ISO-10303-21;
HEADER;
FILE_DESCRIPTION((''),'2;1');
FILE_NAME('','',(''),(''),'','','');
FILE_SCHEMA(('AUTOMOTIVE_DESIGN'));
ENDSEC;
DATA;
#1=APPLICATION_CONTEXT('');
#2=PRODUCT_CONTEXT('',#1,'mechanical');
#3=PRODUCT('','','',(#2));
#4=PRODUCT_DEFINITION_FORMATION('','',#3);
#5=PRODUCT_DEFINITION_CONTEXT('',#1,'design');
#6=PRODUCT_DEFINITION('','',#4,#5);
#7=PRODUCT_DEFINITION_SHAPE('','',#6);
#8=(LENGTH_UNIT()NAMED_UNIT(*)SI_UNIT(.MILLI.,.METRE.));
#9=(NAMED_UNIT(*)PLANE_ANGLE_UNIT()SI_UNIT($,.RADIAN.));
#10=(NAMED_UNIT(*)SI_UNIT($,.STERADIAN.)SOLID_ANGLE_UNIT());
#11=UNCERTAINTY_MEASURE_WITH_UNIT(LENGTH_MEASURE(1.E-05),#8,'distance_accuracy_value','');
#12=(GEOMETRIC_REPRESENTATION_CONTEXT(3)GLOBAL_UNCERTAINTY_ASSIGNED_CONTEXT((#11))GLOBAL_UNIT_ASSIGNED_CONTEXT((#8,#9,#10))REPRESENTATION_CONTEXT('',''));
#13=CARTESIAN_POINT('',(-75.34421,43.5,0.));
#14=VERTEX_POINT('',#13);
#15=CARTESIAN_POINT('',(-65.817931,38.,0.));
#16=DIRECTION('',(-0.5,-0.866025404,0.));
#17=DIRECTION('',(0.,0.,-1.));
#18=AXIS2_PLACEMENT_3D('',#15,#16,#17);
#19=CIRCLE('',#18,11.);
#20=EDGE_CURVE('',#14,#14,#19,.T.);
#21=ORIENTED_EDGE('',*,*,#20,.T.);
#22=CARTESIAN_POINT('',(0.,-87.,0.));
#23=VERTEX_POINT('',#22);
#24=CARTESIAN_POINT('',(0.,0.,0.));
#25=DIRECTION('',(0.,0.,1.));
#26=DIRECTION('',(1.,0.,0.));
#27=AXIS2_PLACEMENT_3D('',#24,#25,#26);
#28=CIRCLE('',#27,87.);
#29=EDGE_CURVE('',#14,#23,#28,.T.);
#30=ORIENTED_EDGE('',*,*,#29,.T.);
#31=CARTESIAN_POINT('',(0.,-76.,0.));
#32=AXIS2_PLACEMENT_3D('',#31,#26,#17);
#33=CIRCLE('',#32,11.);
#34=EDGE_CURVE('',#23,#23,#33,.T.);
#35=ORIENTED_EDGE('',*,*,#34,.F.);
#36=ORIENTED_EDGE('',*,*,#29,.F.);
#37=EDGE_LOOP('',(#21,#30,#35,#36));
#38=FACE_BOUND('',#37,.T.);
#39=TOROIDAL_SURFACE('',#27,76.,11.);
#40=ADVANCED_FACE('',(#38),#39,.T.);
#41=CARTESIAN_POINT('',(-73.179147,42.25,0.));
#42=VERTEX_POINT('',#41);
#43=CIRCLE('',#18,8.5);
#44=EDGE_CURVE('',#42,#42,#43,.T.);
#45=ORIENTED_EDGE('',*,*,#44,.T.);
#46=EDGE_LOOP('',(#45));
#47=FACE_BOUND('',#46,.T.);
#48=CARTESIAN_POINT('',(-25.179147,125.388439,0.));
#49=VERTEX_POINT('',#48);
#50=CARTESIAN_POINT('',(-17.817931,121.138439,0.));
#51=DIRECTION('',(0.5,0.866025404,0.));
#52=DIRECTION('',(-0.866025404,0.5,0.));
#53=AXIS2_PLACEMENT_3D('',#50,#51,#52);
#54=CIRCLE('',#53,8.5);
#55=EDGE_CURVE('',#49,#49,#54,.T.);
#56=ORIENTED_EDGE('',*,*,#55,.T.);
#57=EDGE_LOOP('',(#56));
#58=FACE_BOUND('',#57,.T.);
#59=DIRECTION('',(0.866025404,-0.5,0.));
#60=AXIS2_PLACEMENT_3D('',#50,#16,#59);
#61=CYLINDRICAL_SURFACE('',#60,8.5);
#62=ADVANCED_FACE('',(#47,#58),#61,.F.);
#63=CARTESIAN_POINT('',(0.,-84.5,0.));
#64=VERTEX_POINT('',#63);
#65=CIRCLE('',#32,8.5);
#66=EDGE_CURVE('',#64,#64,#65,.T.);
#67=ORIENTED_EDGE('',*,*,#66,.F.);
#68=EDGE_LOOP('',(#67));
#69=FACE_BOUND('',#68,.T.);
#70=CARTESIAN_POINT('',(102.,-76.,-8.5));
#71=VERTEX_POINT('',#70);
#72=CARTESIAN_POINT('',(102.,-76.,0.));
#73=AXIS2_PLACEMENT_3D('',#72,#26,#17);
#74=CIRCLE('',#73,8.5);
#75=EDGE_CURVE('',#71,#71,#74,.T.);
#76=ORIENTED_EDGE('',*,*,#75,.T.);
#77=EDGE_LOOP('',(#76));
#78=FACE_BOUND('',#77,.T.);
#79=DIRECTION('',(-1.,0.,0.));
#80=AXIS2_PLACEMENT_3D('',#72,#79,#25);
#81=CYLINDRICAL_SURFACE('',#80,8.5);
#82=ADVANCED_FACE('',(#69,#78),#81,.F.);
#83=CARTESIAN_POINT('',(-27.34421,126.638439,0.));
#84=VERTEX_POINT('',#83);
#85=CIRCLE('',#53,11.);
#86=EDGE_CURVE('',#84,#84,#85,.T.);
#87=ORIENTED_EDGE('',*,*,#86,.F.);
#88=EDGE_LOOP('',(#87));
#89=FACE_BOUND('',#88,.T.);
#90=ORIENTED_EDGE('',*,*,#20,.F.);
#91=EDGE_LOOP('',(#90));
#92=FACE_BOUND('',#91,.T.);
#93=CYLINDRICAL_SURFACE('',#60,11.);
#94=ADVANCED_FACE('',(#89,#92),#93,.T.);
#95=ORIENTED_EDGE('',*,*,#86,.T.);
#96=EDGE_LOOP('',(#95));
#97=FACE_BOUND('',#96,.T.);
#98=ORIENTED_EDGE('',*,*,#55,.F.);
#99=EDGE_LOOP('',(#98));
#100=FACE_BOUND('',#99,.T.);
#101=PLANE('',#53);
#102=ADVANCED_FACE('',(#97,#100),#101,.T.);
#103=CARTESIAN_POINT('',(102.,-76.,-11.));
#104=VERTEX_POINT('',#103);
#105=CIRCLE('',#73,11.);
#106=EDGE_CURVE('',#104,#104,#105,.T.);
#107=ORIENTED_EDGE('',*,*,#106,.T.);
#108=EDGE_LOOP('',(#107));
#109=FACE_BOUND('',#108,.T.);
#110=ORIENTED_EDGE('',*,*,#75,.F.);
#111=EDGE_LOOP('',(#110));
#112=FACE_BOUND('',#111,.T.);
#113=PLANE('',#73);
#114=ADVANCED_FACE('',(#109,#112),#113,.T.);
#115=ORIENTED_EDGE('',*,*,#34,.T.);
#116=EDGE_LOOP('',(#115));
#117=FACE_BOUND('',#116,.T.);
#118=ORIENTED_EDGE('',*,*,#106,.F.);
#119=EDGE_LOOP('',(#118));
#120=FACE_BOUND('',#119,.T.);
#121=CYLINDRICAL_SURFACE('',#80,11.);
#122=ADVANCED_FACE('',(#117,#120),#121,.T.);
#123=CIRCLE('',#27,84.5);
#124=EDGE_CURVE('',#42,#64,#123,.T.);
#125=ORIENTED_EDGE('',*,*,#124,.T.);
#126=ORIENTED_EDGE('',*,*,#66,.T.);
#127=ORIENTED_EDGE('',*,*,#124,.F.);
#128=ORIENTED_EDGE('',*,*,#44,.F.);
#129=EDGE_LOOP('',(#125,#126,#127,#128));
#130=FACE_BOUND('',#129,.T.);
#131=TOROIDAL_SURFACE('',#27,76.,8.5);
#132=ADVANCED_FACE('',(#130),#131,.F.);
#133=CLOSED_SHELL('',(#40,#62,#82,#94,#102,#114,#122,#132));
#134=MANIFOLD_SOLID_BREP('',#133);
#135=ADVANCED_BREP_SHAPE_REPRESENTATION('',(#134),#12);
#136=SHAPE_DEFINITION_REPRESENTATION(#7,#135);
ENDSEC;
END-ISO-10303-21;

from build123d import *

# Parameters (mm, degrees)
ESQUISSE2_R        = 11
ESQUISSE2_R_2      = 8.5
ESQUISSE3_R        = 11
ESQUISSE3_R_2      = 8.5
BOSS_EXTRU_1_DEPTH = 102
ESQUISSE4_R        = 11
ESQUISSE4_R_2      = 8.5
BOSS_EXTRU_2_DEPTH = 96


with BuildPart() as part:
    # Base-Balayage: sweep along a path in Esquisse1
    with BuildLine(Plane.XY) as base_balayage_path:
        ThreePointArc((-65.817930688, 38), (-65.817930688, -38), (0, -76))
    # Esquisse2 → Base-Balayage (sweep)
    with BuildSketch(Plane(origin=(0, 0, 0), x_dir=(0, 0, -1), z_dir=(1, 0, 0))):
        with Locations((0, -76)):
            Circle(ESQUISSE2_R)
        with Locations((0, -76)):
            Circle(ESQUISSE2_R_2, mode=Mode.SUBTRACT)
    sweep(path=base_balayage_path.line)

    # Esquisse3 → Boss.-Extru.1 (add)
    with BuildSketch(Plane(origin=(0, 0, 0), x_dir=(0, 0, -1), z_dir=(1, 0, 0))):
        with Locations(Location((0, -76, 0), (0, 0, 270))):
            Circle(ESQUISSE3_R)
        with Locations(Location((0, -76, 0), (0, 0, 270))):
            Circle(ESQUISSE3_R_2, mode=Mode.SUBTRACT)
    extrude(amount=BOSS_EXTRU_1_DEPTH)

    # Esquisse4 → Boss.-Extru.2 (add)
    with BuildSketch(Plane(origin=(0, 0, 0), x_dir=(-0.8660254037844417, 0.4999999999999947, 0), z_dir=(0.49999999999999484, 0.8660254037844418, 0))):
        with Locations((76, 0)):
            Circle(ESQUISSE4_R)
        with Locations((76, 0)):
            Circle(ESQUISSE4_R_2, mode=Mode.SUBTRACT)
    extrude(amount=BOSS_EXTRU_2_DEPTH)


solid = part.part
